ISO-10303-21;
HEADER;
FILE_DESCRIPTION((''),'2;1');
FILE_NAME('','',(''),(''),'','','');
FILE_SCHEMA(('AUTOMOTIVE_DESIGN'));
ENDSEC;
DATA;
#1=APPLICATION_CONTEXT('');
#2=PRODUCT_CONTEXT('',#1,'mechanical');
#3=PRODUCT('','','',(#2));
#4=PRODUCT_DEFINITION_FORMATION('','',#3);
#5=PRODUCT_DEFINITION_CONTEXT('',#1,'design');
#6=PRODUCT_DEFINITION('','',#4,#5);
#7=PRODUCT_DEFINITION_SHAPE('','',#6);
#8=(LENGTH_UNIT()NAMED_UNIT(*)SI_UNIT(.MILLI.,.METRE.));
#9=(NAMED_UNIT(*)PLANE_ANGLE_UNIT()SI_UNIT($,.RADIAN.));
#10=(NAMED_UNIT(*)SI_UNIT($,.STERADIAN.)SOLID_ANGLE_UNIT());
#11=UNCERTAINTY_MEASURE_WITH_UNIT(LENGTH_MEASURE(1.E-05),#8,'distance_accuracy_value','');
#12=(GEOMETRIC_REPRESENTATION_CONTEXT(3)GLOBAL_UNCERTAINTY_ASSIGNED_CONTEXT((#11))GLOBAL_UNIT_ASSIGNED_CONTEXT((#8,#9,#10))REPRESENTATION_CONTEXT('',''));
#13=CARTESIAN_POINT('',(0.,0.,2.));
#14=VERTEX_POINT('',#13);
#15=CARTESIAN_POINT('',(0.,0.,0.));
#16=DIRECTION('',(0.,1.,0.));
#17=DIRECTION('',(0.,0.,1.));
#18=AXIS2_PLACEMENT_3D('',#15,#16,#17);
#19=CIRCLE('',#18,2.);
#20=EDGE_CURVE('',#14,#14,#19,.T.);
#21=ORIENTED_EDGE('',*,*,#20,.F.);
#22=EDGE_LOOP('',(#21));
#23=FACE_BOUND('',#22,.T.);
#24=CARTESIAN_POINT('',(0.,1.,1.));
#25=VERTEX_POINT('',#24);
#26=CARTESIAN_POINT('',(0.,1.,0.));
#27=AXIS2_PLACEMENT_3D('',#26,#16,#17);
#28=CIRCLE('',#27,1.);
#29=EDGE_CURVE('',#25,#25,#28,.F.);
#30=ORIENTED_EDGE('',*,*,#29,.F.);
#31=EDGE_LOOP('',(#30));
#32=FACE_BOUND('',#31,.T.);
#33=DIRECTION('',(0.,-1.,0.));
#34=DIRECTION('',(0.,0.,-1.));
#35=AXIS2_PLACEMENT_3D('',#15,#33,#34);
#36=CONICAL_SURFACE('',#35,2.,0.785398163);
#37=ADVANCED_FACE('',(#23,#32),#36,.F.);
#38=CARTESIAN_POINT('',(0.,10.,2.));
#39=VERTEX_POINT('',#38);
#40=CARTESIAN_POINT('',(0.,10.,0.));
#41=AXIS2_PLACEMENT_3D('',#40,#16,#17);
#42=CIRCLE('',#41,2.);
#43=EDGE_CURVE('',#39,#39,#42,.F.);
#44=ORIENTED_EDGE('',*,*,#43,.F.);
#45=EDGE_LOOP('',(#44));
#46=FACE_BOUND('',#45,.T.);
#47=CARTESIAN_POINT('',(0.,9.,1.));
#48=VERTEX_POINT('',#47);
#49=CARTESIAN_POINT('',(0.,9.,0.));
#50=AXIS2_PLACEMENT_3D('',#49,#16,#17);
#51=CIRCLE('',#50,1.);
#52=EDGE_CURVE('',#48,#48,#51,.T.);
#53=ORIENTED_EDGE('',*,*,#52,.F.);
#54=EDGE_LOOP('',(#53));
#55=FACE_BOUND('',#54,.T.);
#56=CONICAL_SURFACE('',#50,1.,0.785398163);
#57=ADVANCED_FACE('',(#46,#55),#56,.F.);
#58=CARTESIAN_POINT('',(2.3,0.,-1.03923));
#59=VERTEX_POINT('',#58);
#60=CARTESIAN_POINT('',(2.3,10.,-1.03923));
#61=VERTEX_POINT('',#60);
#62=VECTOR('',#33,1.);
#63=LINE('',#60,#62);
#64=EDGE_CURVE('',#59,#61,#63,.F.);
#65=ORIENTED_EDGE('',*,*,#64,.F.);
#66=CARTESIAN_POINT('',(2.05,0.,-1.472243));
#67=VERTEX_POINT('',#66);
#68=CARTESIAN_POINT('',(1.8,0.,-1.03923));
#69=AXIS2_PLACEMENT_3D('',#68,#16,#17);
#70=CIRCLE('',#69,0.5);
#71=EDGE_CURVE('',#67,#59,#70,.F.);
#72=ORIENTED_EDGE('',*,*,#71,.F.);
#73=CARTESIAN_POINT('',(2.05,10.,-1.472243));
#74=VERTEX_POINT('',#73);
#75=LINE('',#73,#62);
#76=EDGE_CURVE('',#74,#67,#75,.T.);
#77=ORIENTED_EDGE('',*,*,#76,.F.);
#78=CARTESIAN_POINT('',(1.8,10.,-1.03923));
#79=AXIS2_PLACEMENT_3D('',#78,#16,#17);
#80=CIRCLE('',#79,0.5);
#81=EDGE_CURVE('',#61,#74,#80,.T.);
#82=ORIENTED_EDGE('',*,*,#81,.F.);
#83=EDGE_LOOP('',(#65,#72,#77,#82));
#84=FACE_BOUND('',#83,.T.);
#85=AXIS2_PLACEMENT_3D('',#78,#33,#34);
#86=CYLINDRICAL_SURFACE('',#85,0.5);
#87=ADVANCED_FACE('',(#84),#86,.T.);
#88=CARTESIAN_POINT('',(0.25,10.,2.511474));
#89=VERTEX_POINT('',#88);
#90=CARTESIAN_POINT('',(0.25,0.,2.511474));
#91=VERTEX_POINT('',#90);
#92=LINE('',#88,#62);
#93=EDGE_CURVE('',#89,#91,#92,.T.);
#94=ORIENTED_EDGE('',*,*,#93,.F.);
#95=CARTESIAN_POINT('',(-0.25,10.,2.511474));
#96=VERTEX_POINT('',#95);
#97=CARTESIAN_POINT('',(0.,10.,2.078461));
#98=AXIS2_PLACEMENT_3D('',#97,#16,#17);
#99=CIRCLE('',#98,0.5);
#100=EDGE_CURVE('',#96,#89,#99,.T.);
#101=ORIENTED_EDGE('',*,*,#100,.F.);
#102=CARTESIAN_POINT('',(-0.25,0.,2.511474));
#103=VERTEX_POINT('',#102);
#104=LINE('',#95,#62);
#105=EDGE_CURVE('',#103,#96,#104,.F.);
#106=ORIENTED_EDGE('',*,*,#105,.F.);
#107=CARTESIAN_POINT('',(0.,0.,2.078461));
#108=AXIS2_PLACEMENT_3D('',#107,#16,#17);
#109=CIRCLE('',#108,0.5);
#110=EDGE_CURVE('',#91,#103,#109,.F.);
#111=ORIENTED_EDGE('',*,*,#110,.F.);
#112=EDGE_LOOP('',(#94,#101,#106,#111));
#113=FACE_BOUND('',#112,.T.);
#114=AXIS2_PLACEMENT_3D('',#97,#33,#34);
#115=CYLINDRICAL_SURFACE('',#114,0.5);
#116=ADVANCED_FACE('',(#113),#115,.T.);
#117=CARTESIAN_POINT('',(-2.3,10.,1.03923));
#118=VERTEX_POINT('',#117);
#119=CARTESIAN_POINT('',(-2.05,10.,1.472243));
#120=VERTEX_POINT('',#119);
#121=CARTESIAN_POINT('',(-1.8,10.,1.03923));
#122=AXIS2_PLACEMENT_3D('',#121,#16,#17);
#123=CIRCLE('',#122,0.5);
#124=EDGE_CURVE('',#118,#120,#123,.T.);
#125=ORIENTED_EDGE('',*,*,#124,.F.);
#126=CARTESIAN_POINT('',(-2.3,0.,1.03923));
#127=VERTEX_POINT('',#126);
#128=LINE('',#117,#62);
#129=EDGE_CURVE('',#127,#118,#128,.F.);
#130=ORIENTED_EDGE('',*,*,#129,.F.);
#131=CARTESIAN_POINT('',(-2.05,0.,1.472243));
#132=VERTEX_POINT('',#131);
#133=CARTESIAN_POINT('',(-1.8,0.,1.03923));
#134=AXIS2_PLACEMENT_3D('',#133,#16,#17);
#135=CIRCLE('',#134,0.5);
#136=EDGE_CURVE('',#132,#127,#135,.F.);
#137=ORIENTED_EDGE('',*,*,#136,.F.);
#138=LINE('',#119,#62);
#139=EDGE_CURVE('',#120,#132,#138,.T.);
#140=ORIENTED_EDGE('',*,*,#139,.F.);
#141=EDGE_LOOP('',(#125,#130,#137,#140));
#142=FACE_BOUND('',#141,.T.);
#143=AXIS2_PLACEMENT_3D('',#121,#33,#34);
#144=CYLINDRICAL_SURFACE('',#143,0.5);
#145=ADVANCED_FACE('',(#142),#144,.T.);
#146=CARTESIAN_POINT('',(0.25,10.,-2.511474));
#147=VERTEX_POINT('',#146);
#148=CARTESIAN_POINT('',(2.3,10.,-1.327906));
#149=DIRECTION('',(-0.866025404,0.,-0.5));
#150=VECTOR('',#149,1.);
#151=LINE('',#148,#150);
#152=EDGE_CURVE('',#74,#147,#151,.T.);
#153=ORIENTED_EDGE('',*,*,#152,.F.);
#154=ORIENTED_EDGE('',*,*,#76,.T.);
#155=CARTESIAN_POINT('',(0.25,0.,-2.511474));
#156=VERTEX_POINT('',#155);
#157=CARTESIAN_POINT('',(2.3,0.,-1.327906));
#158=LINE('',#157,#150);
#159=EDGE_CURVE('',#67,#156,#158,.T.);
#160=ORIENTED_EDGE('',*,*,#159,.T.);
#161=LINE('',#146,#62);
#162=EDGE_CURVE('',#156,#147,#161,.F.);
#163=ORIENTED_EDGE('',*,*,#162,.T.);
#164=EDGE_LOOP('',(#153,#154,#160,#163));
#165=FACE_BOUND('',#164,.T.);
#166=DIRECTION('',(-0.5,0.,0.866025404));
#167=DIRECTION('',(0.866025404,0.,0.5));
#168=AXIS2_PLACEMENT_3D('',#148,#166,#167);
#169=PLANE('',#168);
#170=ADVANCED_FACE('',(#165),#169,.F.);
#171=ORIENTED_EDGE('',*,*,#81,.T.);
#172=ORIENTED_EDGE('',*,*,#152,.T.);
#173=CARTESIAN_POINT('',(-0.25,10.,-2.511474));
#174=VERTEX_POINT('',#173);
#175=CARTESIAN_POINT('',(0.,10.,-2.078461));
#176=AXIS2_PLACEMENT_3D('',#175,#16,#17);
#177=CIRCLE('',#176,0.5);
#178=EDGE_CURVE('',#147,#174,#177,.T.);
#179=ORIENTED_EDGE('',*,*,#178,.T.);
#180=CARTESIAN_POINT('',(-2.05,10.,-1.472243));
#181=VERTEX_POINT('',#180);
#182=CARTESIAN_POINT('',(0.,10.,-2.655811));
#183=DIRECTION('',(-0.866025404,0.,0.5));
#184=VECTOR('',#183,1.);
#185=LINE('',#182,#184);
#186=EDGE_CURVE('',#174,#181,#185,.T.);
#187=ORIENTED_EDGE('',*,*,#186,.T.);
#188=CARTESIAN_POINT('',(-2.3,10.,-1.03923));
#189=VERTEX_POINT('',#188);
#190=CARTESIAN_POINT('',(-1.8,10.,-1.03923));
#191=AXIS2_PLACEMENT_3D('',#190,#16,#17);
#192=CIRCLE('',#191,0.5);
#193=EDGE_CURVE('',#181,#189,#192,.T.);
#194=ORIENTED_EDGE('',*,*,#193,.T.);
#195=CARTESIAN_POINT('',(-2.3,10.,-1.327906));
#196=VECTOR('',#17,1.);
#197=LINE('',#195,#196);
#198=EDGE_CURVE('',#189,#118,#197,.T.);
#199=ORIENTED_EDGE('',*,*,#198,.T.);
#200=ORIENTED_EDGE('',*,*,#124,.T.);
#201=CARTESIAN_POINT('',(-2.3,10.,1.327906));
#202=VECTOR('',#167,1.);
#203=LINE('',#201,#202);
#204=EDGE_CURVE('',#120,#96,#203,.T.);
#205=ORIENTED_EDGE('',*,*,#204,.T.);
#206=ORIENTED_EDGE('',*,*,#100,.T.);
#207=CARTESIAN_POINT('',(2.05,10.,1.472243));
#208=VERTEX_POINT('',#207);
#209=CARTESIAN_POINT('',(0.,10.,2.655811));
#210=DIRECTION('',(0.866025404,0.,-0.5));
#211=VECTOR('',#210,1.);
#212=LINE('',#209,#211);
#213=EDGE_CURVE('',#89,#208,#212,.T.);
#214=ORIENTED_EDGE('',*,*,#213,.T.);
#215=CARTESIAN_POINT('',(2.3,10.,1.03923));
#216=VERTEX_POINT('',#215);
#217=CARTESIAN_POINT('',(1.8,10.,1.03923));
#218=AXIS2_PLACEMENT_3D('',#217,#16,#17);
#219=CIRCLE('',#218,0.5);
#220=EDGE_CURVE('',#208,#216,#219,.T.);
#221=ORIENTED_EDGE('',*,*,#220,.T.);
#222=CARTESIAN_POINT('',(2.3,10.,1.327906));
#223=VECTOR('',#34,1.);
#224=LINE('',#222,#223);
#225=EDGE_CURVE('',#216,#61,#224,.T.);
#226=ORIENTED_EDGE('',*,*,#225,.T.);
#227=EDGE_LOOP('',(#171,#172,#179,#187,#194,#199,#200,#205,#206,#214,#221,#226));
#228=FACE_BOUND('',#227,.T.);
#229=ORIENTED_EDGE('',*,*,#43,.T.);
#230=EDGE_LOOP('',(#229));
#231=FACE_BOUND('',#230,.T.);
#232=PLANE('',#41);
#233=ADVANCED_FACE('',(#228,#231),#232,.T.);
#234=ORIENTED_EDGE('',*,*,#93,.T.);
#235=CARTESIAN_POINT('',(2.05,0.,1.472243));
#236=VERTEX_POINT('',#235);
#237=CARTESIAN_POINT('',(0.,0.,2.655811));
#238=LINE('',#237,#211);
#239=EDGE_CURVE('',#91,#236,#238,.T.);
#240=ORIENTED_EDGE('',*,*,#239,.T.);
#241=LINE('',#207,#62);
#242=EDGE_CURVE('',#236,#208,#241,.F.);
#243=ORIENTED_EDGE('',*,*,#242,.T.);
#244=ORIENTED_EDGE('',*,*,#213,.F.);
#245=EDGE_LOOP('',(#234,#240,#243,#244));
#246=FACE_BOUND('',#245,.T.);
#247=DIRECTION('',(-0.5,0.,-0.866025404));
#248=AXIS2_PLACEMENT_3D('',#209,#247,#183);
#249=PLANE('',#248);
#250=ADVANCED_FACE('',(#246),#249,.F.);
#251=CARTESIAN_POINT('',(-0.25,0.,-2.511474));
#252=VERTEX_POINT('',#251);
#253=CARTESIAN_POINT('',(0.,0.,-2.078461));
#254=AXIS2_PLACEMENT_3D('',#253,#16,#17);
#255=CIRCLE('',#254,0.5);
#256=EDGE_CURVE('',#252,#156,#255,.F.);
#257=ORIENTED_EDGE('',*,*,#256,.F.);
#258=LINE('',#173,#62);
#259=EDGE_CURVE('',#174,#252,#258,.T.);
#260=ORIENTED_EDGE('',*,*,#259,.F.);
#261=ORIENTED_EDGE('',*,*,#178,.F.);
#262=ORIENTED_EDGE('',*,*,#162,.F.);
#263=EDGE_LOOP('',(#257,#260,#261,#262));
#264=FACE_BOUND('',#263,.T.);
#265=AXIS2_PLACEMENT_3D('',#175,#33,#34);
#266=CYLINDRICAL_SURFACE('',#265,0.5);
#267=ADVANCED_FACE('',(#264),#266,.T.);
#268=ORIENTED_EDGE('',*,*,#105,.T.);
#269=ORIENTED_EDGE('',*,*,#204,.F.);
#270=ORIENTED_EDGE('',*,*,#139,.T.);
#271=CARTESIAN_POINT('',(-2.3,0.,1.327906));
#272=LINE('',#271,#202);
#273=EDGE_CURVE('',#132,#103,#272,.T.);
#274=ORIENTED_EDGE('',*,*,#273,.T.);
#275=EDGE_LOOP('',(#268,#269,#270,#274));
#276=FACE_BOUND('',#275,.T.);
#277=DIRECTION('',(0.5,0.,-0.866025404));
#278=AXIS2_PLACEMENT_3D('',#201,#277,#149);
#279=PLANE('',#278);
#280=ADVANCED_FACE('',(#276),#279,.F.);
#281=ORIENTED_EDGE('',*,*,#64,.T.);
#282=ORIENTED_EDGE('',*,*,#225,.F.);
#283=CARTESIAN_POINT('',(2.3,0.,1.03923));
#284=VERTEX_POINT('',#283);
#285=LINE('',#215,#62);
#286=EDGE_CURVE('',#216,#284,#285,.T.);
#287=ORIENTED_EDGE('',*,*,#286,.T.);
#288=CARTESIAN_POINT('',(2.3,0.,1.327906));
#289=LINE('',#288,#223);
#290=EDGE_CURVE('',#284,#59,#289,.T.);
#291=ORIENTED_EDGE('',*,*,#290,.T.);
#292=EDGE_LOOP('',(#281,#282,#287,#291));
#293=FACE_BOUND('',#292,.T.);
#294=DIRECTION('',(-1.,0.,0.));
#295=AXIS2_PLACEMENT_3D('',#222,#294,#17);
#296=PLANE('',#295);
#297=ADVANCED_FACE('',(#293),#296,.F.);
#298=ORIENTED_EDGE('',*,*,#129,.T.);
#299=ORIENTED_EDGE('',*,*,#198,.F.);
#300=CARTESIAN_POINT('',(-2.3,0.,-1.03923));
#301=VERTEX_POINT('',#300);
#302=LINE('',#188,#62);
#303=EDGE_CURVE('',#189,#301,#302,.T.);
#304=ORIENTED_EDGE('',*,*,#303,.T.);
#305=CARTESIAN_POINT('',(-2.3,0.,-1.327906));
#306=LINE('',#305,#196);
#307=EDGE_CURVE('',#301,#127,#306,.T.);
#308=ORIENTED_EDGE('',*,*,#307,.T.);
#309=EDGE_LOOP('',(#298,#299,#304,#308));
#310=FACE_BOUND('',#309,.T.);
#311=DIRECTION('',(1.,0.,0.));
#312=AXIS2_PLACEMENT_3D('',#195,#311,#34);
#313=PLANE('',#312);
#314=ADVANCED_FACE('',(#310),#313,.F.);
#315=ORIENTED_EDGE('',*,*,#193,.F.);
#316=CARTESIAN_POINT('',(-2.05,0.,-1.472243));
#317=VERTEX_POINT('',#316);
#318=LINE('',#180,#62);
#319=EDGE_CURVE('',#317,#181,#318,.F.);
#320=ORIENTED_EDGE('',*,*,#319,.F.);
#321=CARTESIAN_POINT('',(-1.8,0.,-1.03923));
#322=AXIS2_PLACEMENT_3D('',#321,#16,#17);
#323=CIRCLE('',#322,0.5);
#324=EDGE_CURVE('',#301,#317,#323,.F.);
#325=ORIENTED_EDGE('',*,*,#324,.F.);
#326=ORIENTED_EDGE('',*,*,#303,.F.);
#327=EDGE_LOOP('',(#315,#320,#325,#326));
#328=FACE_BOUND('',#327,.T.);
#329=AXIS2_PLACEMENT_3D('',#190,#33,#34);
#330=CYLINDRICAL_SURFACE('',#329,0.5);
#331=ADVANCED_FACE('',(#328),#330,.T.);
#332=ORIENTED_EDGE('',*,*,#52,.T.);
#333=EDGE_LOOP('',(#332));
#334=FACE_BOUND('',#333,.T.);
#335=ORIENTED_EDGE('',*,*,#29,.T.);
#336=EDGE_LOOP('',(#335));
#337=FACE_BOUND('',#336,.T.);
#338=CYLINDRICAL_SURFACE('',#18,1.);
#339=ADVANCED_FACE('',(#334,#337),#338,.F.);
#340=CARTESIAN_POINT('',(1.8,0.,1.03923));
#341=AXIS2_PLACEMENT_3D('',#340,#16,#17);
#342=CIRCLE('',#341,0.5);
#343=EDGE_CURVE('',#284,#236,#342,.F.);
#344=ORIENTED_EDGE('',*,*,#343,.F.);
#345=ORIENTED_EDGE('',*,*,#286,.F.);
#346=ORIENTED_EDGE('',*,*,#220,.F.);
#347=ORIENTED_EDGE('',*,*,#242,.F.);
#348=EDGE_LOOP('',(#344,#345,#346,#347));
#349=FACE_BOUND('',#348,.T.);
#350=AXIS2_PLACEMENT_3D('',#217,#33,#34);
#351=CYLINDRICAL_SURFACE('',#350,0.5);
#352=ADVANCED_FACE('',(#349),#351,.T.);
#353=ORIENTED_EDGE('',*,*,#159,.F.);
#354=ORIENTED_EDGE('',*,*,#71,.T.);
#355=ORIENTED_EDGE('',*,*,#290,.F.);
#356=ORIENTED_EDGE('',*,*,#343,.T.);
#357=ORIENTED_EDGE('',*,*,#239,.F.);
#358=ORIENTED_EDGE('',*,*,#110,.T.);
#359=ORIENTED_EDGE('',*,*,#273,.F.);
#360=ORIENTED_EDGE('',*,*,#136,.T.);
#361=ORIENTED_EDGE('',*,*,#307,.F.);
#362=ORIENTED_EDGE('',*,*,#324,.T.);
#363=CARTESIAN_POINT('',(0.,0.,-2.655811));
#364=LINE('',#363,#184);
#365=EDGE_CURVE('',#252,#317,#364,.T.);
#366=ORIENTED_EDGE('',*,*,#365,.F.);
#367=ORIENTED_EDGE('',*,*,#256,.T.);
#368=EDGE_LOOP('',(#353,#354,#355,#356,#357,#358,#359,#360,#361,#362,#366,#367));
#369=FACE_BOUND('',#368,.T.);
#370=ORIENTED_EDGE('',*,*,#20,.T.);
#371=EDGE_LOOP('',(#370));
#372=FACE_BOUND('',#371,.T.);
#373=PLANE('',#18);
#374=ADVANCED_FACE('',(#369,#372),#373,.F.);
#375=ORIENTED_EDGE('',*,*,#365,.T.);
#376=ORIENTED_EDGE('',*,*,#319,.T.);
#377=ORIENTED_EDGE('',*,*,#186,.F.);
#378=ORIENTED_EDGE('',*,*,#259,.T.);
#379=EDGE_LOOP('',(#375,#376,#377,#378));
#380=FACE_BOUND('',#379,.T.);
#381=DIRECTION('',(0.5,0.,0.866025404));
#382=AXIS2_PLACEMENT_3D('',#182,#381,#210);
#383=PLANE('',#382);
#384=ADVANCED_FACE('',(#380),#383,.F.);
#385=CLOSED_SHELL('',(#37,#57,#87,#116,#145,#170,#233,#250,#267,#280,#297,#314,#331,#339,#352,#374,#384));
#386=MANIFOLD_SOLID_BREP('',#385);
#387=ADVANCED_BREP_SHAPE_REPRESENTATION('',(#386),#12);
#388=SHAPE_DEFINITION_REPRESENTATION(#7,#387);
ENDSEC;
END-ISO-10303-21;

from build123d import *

# Parameters (mm, degrees)
BOSS_EXTRUDE1_DEPTH = 10
SKETCH2_R           = 1
CUT_EXTRUDE1_DEPTH  = 11.599213807
CHAMFER2_SIZE       = 1
FILLET1_R           = 0.5


with BuildPart() as part:
    # Sketch1 → Boss-Extrude1 (new body)
    with BuildSketch(Plane(origin=(0, 0, 0), x_dir=(1, 0, 0), z_dir=(0, 1, 0))):
        Polygon((0, 2.655811238), (-2.3, 1.327905619), (-2.3, -1.327905619), (0, -2.655811238), (2.3, -1.327905619), (2.3, 1.327905619), align=None)
    extrude(amount=BOSS_EXTRUDE1_DEPTH)

    # Sketch2 → Cut-Extrude1 (cut, through all)
    with BuildSketch(Plane(origin=(0, 10, 0), x_dir=(1, 0, 0), z_dir=(0, 1, 0))):
        with Locations(Location((0, 0, 0), (0, 0, 270))):
            Circle(SKETCH2_R)
    extrude(amount=-CUT_EXTRUDE1_DEPTH, mode=Mode.SUBTRACT)

    # Chamfer2
    chamfer2_edges = [part.edges().sort_by_distance(p)[0] for p in [
        (0, 0, -1),
        (0, 10, -1),
    ]]
    chamfer(chamfer2_edges, length=CHAMFER2_SIZE)

    # Fillet1
    fillet1_edges = [part.edges().sort_by_distance(p)[0] for p in [
        (2.3, 5, -1.327905619),
        (2.3, 5, 1.327905619),
        (0, 5, 2.655811238),
        (-2.3, 5, 1.327905619),
        (-2.3, 5, -1.327905619),
        (0, 5, -2.655811238),
    ]]
    fillet(fillet1_edges, radius=FILLET1_R)


solid = part.part
